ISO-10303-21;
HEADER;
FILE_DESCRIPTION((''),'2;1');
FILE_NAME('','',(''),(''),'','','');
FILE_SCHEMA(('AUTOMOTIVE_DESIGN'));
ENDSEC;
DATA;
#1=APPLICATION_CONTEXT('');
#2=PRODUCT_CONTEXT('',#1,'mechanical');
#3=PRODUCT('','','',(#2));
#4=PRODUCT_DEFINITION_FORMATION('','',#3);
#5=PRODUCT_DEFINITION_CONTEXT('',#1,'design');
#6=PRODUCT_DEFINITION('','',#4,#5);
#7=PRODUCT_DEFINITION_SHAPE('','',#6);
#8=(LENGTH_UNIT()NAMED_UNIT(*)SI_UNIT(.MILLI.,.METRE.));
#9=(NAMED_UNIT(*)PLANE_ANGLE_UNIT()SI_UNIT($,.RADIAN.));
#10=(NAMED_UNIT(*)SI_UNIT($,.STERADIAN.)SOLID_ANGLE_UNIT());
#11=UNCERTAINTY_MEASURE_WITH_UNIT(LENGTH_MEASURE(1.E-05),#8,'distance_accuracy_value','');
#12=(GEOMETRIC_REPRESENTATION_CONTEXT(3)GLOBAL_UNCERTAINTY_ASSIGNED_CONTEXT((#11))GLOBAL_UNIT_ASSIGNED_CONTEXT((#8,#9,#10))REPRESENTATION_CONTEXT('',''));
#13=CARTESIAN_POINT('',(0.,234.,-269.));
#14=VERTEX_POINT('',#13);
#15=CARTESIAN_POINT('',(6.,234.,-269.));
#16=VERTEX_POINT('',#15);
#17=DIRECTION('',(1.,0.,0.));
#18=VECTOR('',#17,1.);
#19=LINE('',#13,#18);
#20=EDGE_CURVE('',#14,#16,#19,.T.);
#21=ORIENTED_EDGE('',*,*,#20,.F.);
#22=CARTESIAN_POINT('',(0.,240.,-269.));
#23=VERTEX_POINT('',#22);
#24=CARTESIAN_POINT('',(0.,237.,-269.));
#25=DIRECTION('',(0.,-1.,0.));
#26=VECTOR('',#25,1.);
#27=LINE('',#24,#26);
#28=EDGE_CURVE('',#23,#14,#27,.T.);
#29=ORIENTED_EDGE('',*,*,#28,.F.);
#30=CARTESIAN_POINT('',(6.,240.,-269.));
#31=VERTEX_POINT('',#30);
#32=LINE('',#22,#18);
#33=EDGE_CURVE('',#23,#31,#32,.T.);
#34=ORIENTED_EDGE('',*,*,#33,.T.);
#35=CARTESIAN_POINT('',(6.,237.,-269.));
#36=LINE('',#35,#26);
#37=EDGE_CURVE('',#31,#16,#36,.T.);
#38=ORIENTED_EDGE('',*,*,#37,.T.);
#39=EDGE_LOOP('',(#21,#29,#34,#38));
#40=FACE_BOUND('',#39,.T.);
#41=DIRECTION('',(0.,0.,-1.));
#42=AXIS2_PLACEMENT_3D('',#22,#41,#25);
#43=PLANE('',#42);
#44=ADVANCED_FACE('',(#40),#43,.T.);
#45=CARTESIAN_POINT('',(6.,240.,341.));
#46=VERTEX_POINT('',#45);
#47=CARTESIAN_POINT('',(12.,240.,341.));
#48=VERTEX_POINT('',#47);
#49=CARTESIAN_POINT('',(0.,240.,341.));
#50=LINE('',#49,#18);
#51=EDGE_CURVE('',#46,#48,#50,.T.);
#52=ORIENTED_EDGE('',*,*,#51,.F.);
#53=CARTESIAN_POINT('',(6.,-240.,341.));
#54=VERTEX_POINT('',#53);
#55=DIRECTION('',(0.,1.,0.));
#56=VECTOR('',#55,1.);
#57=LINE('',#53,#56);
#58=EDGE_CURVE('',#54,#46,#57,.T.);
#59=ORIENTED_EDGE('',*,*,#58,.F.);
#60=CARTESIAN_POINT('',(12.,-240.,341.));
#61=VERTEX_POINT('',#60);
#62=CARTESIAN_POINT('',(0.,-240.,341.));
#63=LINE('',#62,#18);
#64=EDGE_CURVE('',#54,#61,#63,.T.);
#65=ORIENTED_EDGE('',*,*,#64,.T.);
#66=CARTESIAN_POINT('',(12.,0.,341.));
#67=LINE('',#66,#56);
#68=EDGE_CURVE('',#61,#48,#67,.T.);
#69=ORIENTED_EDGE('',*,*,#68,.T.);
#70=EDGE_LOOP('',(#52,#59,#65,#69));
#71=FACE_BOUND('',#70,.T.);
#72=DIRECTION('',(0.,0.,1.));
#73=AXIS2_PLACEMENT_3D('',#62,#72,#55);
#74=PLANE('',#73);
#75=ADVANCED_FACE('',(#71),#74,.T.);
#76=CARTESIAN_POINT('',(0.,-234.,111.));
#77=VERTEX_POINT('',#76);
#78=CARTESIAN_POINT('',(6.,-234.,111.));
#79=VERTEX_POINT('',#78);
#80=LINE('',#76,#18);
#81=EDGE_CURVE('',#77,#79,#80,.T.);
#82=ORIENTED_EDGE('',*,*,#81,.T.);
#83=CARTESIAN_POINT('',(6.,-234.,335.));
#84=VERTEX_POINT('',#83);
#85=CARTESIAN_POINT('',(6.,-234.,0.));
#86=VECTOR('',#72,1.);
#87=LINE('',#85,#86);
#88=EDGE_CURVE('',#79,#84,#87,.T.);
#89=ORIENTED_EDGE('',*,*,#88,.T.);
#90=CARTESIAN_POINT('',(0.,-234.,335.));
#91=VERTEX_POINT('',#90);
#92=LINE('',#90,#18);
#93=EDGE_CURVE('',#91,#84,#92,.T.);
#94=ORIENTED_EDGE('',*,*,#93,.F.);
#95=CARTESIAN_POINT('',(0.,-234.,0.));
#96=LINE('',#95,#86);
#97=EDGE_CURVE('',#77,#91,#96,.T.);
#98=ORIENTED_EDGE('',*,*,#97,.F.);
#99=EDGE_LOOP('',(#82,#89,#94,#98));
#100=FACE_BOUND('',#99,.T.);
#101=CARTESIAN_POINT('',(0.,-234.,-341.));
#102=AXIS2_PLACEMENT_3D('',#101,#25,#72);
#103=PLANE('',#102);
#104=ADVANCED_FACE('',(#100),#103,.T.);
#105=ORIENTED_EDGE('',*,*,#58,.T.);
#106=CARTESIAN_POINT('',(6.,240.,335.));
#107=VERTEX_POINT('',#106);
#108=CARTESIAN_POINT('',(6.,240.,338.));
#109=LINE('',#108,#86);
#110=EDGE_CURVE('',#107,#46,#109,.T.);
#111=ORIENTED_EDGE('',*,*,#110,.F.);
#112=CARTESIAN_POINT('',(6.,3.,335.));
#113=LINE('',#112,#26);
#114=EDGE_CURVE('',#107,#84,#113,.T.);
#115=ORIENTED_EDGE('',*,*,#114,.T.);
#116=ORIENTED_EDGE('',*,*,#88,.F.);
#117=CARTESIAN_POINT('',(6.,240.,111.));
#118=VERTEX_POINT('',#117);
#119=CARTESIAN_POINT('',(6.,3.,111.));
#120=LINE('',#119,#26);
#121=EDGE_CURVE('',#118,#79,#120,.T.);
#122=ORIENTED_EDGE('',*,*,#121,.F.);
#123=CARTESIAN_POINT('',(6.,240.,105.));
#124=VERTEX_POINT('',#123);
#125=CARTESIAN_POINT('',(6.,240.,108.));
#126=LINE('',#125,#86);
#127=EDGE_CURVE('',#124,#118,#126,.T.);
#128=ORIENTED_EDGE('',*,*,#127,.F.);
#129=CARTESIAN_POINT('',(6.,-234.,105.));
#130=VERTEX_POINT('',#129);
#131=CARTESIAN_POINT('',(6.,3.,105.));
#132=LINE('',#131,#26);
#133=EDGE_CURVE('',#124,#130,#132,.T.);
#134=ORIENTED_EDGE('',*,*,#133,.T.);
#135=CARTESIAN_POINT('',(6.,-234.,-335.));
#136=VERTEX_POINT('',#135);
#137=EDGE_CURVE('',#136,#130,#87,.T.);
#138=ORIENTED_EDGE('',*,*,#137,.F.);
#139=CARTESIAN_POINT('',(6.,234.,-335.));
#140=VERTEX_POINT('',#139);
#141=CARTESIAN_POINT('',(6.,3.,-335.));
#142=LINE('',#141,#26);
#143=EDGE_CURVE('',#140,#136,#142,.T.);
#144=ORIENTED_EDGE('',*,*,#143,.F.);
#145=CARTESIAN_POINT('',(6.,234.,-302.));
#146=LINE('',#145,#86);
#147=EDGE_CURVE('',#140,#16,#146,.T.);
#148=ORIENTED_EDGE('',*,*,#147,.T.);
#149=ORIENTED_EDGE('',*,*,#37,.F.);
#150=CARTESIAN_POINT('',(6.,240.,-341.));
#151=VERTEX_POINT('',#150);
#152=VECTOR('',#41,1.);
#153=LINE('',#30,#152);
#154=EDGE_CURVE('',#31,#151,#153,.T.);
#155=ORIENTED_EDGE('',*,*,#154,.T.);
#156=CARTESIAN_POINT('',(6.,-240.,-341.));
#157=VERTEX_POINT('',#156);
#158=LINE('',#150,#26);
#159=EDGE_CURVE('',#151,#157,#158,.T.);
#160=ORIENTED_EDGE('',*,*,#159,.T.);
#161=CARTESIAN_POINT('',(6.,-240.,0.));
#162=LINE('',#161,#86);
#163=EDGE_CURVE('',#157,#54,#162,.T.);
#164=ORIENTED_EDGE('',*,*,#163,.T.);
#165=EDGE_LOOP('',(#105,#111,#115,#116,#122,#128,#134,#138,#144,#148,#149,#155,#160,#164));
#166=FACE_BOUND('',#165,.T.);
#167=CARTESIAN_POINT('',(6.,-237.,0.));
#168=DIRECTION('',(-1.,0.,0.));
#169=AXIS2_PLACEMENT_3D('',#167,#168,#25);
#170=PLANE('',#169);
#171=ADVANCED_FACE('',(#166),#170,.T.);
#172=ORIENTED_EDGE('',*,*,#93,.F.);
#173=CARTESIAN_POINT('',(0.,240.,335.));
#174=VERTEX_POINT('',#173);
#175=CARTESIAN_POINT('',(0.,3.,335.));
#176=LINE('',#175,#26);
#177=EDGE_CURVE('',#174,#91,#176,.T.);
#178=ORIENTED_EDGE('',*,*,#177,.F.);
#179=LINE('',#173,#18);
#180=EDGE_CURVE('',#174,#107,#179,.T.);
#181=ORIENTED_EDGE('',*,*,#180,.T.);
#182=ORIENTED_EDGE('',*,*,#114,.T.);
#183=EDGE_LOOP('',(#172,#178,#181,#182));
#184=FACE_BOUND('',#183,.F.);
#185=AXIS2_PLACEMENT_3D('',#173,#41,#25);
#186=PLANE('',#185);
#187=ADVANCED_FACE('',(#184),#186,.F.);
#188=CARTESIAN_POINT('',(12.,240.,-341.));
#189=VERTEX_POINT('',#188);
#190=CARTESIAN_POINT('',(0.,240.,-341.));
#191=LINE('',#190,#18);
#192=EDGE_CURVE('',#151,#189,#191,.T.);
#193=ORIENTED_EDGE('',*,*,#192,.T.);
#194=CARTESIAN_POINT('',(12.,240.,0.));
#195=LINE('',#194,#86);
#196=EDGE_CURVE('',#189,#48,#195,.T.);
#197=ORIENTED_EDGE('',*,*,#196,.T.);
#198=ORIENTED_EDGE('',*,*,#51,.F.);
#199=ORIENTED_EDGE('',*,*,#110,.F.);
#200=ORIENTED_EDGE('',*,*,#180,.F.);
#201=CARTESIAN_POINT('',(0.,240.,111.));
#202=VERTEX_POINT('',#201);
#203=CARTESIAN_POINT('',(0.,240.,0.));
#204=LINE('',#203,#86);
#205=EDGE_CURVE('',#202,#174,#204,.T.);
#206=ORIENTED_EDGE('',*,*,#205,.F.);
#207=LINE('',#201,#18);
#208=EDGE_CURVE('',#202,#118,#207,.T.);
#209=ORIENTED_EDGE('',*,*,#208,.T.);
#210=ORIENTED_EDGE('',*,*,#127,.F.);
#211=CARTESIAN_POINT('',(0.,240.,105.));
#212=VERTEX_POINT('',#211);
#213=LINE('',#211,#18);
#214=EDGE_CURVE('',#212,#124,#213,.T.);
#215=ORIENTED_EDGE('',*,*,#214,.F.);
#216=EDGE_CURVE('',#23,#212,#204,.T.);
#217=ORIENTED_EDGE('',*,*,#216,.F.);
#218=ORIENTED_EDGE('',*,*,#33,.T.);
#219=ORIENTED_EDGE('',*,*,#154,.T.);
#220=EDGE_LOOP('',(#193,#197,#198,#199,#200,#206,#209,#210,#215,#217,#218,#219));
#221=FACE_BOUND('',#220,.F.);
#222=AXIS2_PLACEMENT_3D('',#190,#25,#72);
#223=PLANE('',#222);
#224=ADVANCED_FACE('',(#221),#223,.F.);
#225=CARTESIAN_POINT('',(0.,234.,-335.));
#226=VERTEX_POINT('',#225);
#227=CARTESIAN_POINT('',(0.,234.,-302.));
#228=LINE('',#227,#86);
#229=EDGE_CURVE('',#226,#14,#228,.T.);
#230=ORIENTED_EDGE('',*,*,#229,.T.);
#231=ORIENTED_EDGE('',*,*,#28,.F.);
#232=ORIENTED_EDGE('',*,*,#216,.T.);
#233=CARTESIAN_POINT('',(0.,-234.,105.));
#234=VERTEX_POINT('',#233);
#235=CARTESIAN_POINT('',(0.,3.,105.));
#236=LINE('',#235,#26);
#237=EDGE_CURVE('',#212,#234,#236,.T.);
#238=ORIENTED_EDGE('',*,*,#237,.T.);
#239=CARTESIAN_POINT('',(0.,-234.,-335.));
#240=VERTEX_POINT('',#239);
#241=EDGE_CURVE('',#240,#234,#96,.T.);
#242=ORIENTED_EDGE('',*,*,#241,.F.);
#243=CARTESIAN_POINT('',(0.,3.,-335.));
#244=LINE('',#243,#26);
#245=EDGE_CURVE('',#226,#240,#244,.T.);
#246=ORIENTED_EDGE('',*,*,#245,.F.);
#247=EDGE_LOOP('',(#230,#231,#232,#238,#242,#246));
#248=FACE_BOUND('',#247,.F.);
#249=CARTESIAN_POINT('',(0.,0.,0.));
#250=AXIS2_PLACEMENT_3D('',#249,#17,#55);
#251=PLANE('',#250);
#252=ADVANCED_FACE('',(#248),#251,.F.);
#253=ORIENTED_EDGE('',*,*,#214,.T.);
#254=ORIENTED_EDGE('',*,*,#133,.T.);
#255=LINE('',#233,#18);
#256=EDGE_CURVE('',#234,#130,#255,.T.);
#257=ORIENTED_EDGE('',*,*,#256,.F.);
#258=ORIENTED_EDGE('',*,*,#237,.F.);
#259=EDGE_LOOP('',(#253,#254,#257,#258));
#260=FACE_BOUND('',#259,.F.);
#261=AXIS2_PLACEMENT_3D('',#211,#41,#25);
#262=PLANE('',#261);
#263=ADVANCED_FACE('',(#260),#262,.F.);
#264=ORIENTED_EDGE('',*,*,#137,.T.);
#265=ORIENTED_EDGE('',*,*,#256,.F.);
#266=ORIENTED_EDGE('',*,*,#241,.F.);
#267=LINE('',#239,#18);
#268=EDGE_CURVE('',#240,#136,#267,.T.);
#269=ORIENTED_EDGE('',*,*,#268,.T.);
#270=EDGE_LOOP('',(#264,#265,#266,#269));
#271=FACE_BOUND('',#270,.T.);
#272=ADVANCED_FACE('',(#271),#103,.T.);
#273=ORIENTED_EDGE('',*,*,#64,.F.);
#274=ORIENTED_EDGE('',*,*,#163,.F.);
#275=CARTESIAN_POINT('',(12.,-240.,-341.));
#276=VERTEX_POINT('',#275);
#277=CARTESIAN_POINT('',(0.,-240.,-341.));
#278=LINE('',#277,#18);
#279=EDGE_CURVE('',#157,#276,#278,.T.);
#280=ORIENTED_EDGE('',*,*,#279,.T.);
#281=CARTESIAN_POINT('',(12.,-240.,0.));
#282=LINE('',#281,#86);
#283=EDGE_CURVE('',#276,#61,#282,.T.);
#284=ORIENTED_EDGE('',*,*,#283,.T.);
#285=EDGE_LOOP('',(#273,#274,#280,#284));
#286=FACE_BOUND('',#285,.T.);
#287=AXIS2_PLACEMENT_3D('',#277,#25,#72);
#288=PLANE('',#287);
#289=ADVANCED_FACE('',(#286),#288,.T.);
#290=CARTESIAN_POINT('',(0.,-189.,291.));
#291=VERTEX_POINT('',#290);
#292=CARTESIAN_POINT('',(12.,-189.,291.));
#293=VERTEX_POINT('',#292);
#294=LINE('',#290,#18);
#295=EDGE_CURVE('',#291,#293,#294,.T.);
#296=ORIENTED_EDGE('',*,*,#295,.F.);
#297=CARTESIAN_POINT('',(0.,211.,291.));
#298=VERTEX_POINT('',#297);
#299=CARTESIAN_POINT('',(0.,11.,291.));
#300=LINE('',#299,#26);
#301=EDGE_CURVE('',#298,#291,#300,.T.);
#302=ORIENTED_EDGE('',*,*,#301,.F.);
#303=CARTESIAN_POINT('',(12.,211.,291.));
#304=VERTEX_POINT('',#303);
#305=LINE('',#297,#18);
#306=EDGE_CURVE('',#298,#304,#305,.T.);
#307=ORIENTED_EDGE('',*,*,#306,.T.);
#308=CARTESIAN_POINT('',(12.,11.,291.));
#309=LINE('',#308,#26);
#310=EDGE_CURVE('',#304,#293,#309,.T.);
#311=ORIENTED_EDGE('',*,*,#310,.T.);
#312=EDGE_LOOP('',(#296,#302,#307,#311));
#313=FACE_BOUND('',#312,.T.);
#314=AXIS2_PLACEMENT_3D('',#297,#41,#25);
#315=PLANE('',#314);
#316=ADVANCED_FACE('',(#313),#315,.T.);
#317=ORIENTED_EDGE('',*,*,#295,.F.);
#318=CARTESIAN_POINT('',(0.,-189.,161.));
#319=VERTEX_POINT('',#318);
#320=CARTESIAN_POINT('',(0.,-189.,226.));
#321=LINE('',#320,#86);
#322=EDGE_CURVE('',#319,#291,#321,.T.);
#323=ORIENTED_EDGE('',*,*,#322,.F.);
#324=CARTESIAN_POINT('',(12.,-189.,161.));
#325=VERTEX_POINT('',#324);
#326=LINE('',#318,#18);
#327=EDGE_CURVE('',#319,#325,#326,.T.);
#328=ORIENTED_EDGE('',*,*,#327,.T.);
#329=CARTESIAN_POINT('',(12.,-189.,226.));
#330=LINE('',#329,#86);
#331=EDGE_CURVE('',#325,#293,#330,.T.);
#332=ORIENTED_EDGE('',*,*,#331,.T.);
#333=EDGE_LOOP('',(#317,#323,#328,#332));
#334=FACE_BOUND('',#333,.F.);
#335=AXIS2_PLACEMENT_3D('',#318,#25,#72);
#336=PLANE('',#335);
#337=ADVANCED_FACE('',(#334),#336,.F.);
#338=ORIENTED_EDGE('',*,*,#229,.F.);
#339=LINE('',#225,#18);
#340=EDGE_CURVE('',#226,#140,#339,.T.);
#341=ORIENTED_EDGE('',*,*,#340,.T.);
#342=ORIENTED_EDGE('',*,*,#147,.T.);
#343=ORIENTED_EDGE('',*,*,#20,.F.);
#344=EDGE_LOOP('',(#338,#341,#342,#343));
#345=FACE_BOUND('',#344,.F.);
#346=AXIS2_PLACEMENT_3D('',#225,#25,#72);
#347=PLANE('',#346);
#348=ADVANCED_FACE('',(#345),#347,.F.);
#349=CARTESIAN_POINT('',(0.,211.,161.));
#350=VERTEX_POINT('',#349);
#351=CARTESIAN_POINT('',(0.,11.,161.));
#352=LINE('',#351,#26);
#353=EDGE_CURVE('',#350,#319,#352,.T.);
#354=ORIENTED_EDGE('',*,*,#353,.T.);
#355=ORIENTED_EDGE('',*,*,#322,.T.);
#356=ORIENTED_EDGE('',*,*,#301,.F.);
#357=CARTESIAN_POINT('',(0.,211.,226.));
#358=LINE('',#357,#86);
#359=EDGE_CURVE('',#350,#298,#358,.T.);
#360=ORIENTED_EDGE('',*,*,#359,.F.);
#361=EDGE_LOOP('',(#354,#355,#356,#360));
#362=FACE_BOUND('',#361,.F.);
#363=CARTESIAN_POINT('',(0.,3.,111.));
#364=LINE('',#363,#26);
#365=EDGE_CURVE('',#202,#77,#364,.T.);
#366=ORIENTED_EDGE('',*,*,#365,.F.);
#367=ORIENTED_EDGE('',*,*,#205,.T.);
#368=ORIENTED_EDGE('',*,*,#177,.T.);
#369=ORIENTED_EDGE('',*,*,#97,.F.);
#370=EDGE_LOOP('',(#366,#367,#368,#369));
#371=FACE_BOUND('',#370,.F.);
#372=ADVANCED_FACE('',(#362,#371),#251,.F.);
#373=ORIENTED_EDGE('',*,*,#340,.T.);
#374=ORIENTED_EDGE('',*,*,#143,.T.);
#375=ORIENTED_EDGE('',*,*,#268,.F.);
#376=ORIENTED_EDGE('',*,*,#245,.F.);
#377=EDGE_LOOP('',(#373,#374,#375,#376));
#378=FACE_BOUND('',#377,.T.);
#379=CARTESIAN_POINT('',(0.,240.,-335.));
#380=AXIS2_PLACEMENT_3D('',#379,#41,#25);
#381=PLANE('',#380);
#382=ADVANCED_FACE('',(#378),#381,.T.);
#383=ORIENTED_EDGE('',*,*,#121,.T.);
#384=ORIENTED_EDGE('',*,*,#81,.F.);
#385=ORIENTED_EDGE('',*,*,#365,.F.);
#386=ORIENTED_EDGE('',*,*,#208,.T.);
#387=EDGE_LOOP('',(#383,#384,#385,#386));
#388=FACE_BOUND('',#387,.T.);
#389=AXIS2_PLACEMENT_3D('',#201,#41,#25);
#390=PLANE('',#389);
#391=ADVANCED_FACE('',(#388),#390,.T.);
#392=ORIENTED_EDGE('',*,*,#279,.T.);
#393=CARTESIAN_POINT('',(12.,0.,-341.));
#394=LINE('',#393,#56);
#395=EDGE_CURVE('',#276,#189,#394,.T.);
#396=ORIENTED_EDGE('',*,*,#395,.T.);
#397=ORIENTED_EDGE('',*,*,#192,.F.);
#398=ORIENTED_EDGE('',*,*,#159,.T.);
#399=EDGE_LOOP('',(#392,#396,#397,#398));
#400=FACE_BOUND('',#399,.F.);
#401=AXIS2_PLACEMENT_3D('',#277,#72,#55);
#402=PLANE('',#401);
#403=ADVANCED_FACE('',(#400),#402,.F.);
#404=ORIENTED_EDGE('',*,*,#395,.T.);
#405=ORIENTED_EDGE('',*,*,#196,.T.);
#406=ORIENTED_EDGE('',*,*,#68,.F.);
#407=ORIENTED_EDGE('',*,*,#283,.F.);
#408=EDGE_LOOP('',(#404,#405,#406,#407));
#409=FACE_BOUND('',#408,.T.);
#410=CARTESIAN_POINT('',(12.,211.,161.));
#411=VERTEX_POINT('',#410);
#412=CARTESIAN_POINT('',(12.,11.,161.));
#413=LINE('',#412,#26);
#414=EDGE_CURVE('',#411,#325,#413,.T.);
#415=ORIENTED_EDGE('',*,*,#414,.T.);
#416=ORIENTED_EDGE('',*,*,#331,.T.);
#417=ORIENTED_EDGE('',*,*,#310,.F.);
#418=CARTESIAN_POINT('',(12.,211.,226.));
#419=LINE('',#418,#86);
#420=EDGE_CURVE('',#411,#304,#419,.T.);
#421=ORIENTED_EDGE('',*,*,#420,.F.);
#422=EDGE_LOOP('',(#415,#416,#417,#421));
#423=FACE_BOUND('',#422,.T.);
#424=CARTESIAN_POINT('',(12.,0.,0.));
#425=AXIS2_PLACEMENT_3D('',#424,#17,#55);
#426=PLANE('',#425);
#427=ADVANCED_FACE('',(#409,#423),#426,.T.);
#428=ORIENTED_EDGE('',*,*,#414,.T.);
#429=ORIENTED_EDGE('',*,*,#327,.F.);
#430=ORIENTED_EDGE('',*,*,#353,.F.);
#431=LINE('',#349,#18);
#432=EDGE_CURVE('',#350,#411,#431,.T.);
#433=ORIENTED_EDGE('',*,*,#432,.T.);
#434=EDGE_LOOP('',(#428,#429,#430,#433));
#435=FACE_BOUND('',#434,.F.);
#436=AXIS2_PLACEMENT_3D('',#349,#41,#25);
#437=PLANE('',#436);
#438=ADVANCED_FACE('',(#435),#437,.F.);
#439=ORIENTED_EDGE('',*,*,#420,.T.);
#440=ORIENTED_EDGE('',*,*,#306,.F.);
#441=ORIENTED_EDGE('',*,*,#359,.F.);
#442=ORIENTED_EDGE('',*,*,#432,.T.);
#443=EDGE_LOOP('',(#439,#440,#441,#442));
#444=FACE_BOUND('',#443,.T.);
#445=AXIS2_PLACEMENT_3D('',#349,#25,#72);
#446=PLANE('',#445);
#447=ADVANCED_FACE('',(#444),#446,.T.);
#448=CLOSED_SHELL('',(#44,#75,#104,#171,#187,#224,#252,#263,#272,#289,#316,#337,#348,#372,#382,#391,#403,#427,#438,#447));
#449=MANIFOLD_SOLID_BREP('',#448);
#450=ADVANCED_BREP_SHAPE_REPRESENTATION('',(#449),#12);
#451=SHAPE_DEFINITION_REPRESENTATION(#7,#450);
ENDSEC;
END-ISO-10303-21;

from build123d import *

# Parameters (mm, degrees)
F0_W      = 480
F0_H      = 682
F1_DEPTH  = 12
F2_W      = 6
F2_H      = 682
F3_DEPTH  = 6
F4_W      = 474
F4_H      = 6
F5_DEPTH  = 6
F6_W      = 6
F6_H      = 66
F7_DEPTH  = 6
F8_W      = 474
F8_H      = 6
F9_DEPTH  = 6
F10_W     = 400
F10_H     = 130
F11_DEPTH = 12
F12_W     = 474
F12_H     = 6
F13_DEPTH = 6


with BuildPart() as f1:
    # F0 (on Right) → F1 (new body)
    with BuildSketch(Plane.YZ):
        Rectangle(F0_W, F0_H)
    extrude(amount=F1_DEPTH)

    # F2 (on face) → F3 (cut)
    with BuildSketch(Plane(origin=(0, 0, 0), x_dir=(0, -1, 0), z_dir=(-1, 0, 0))):
        with Locations((237, 0)):
            Rectangle(F2_W, F2_H)
    extrude(amount=-F3_DEPTH, mode=Mode.SUBTRACT)

    # F4 (on face) → F5 (cut)
    with BuildSketch(Plane(origin=(0, 0, 0), x_dir=(0, -1, 0), z_dir=(-1, 0, 0))):
        with Locations((-3, -338)):
            Rectangle(F4_W, F4_H)
    extrude(amount=-F5_DEPTH, mode=Mode.SUBTRACT)

    # F6 (on face) → F7 (cut)
    with BuildSketch(Plane(origin=(0, 0, 0), x_dir=(0, -1, 0), z_dir=(-1, 0, 0))):
        with Locations((-237, -302)):
            Rectangle(F6_W, F6_H)
    extrude(amount=-F7_DEPTH, mode=Mode.SUBTRACT)

    # F8 (on face) → F9 (cut)
    with BuildSketch(Plane(origin=(0, 0, 0), x_dir=(0, -1, 0), z_dir=(-1, 0, 0))):
        with Locations((-3, 108)):
            Rectangle(F8_W, F8_H)
    extrude(amount=-F9_DEPTH, mode=Mode.SUBTRACT)

    # F10 (on face) → F11 (cut, through all)
    with BuildSketch(Plane(origin=(0, 0, 0), x_dir=(0, -1, 0), z_dir=(-1, 0, 0))):
        with Locations((-11, 226)):
            Rectangle(F10_W, F10_H)
    extrude(amount=-F11_DEPTH, mode=Mode.SUBTRACT)

    # F12 (on face) → F13 (cut)
    with BuildSketch(Plane(origin=(0, 0, 0), x_dir=(0, -1, 0), z_dir=(-1, 0, 0))):
        with Locations((-3, 338)):
            Rectangle(F12_W, F12_H)
    extrude(amount=-F13_DEPTH, mode=Mode.SUBTRACT)


solid = f1.part
